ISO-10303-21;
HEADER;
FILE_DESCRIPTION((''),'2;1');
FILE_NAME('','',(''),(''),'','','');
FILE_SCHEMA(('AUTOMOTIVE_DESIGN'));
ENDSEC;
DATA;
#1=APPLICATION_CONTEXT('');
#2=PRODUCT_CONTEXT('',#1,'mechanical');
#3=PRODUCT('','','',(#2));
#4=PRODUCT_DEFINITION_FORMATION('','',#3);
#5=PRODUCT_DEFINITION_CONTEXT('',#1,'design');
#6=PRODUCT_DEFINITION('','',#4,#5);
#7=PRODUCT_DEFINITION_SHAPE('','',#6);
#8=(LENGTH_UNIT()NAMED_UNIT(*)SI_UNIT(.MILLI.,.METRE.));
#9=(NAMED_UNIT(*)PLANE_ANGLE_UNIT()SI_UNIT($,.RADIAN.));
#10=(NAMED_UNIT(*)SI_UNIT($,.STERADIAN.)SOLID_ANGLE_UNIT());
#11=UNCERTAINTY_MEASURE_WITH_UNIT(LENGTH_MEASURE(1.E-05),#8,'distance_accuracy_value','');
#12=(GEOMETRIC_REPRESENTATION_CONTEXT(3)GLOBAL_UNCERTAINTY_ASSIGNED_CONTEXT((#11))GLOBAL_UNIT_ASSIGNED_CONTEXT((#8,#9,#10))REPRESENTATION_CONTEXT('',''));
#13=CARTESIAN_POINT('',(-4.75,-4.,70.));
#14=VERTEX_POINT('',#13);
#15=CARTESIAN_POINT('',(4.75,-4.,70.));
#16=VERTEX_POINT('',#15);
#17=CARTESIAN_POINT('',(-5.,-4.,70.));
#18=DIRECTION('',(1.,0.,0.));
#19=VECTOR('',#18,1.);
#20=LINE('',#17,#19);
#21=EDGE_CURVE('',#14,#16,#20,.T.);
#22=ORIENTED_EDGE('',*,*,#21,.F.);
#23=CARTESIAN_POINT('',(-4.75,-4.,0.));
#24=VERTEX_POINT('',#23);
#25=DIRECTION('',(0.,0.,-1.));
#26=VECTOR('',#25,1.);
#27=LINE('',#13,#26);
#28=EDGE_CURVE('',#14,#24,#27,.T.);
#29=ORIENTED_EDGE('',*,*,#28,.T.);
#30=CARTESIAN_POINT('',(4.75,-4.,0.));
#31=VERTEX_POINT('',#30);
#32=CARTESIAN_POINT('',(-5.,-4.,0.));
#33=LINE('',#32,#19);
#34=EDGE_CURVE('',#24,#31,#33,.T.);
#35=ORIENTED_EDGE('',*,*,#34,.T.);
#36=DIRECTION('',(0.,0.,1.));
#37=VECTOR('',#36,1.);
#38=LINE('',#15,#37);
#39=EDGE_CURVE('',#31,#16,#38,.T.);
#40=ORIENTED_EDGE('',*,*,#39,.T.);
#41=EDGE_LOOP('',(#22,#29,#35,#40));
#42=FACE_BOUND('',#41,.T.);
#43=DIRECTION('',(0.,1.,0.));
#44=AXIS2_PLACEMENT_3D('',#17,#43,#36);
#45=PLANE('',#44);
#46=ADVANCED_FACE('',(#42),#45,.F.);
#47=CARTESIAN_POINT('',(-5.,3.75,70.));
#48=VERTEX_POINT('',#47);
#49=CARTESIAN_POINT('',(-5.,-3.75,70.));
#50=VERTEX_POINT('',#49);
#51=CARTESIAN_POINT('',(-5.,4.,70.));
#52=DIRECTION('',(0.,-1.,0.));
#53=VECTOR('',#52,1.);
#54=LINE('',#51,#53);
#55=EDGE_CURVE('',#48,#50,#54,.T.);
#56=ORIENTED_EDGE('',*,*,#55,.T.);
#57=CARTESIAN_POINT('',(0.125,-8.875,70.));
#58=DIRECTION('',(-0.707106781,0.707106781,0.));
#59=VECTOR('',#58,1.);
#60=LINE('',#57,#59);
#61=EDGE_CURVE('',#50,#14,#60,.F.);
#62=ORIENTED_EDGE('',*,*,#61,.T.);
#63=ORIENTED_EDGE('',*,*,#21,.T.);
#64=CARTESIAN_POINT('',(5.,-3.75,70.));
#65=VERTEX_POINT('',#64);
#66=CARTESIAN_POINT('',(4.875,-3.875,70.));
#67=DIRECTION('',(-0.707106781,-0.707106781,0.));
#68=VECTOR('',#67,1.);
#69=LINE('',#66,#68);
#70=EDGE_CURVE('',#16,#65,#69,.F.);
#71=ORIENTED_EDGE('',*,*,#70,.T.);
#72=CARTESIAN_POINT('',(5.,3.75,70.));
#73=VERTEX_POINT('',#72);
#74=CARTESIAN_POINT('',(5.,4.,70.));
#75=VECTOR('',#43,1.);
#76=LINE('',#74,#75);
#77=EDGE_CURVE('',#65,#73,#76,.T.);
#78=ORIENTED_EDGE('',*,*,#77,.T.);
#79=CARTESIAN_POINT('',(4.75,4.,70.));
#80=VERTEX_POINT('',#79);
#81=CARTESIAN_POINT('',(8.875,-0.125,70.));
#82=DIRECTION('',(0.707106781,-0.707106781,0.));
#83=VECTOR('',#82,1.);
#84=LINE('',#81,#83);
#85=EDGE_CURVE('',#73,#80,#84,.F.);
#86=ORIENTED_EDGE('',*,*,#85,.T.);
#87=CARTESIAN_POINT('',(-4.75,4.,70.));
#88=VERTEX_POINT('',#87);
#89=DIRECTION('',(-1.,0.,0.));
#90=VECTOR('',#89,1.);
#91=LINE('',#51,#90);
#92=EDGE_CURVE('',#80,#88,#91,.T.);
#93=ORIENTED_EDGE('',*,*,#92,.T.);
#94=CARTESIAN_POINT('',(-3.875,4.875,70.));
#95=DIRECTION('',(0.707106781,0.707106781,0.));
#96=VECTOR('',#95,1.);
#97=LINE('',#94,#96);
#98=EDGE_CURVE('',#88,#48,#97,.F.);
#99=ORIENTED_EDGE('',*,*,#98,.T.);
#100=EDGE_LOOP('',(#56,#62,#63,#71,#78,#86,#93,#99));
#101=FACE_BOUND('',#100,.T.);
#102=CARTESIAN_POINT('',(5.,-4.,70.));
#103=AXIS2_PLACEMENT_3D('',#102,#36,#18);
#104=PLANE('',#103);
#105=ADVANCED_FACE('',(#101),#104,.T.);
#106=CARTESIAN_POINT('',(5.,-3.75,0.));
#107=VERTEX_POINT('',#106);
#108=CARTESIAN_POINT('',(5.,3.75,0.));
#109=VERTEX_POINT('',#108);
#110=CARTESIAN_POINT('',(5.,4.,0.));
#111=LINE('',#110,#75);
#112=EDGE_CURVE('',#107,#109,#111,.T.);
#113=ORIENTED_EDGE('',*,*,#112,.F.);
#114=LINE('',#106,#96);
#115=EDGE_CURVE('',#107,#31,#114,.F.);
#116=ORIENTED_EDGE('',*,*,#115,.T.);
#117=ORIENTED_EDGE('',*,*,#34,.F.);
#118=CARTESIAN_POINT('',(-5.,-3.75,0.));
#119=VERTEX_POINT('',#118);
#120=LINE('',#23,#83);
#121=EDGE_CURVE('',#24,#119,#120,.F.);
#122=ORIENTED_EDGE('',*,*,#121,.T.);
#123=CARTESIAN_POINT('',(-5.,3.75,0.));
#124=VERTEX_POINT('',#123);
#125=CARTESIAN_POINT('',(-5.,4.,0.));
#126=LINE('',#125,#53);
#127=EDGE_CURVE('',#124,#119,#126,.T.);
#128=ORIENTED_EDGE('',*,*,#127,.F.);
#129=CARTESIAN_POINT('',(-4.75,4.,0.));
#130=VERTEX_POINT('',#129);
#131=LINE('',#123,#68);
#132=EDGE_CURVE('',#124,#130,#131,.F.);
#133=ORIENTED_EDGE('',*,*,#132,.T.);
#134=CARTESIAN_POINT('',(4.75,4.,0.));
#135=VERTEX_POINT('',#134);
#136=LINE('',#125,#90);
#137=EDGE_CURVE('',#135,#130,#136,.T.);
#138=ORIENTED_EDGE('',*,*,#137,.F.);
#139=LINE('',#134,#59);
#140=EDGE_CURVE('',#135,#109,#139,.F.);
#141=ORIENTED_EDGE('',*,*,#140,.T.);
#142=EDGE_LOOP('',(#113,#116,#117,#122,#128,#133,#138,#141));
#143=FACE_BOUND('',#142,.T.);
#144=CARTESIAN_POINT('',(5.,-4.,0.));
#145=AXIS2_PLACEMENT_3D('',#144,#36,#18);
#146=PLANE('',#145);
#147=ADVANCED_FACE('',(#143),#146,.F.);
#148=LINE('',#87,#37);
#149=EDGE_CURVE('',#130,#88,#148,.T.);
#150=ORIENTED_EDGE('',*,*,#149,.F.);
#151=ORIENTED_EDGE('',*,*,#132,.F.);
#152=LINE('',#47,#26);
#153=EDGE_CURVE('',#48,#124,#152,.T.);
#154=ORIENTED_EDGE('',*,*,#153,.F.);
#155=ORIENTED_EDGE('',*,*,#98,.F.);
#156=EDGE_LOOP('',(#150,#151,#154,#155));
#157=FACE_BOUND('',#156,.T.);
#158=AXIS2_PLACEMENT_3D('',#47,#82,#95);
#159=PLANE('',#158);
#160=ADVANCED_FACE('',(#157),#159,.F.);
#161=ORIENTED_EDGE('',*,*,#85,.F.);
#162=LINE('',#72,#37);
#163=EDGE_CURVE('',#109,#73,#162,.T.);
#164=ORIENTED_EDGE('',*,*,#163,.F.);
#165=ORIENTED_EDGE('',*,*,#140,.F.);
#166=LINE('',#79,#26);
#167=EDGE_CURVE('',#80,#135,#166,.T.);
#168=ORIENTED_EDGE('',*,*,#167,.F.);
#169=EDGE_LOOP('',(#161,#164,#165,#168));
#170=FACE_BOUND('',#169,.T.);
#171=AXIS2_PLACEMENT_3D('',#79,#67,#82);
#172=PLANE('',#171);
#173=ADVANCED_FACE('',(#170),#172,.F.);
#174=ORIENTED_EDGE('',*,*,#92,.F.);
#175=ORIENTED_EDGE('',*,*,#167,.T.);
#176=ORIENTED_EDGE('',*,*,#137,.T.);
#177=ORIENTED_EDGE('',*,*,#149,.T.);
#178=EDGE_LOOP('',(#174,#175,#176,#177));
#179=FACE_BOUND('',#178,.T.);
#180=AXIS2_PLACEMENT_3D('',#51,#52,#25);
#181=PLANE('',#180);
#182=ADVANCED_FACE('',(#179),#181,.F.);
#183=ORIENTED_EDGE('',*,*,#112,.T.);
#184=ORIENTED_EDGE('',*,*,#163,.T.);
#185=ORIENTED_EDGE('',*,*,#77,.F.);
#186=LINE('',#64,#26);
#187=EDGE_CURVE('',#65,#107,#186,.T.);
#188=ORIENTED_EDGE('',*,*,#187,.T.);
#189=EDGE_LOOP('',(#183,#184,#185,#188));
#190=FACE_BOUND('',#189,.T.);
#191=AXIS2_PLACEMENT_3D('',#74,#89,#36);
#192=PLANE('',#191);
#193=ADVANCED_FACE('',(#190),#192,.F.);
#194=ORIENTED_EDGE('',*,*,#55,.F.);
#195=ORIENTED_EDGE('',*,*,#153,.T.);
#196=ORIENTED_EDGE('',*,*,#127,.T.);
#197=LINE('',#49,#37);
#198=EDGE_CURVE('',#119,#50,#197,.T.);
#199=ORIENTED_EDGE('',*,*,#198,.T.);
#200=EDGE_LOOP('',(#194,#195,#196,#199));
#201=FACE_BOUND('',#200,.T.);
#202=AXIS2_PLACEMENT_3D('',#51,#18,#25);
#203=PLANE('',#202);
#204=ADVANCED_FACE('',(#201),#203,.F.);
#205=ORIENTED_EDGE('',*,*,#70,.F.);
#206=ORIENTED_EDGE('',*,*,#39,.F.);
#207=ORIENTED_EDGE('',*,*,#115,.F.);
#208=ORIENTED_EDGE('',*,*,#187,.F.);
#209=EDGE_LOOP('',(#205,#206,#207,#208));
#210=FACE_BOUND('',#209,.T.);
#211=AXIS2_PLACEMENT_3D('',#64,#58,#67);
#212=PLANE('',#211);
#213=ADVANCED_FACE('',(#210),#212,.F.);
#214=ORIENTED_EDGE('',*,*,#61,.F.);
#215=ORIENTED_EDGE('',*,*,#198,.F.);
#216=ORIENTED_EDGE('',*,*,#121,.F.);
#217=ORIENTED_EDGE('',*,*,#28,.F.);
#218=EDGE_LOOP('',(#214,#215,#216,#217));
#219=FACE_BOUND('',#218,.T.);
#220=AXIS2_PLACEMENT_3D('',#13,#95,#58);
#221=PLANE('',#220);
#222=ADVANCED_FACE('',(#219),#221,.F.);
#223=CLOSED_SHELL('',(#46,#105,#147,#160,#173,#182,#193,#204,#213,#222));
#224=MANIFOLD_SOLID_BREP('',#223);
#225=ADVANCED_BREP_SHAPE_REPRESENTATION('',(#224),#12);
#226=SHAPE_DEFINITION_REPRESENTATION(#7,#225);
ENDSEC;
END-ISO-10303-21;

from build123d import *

# Parameters (mm, degrees)
SKETCH1_W      = 10
SKETCH1_H      = 8
EXTRUDE1_DEPTH = 70
CHAMFER1_SIZE  = 0.25


with BuildPart() as part:
    # Sketch1 → Extrude1 (new body)
    with BuildSketch(Plane.XY):
        Rectangle(SKETCH1_W, SKETCH1_H)
    extrude(amount=EXTRUDE1_DEPTH)

    # Chamfer1
    chamfer1_edges = [part.edges().sort_by_distance(p)[0] for p in [
        (5, -4, 35),
        (-5, -4, 35),
        (-5, 4, 35),
        (5, 4, 35),
    ]]
    chamfer(chamfer1_edges, length=CHAMFER1_SIZE)


solid = part.part
